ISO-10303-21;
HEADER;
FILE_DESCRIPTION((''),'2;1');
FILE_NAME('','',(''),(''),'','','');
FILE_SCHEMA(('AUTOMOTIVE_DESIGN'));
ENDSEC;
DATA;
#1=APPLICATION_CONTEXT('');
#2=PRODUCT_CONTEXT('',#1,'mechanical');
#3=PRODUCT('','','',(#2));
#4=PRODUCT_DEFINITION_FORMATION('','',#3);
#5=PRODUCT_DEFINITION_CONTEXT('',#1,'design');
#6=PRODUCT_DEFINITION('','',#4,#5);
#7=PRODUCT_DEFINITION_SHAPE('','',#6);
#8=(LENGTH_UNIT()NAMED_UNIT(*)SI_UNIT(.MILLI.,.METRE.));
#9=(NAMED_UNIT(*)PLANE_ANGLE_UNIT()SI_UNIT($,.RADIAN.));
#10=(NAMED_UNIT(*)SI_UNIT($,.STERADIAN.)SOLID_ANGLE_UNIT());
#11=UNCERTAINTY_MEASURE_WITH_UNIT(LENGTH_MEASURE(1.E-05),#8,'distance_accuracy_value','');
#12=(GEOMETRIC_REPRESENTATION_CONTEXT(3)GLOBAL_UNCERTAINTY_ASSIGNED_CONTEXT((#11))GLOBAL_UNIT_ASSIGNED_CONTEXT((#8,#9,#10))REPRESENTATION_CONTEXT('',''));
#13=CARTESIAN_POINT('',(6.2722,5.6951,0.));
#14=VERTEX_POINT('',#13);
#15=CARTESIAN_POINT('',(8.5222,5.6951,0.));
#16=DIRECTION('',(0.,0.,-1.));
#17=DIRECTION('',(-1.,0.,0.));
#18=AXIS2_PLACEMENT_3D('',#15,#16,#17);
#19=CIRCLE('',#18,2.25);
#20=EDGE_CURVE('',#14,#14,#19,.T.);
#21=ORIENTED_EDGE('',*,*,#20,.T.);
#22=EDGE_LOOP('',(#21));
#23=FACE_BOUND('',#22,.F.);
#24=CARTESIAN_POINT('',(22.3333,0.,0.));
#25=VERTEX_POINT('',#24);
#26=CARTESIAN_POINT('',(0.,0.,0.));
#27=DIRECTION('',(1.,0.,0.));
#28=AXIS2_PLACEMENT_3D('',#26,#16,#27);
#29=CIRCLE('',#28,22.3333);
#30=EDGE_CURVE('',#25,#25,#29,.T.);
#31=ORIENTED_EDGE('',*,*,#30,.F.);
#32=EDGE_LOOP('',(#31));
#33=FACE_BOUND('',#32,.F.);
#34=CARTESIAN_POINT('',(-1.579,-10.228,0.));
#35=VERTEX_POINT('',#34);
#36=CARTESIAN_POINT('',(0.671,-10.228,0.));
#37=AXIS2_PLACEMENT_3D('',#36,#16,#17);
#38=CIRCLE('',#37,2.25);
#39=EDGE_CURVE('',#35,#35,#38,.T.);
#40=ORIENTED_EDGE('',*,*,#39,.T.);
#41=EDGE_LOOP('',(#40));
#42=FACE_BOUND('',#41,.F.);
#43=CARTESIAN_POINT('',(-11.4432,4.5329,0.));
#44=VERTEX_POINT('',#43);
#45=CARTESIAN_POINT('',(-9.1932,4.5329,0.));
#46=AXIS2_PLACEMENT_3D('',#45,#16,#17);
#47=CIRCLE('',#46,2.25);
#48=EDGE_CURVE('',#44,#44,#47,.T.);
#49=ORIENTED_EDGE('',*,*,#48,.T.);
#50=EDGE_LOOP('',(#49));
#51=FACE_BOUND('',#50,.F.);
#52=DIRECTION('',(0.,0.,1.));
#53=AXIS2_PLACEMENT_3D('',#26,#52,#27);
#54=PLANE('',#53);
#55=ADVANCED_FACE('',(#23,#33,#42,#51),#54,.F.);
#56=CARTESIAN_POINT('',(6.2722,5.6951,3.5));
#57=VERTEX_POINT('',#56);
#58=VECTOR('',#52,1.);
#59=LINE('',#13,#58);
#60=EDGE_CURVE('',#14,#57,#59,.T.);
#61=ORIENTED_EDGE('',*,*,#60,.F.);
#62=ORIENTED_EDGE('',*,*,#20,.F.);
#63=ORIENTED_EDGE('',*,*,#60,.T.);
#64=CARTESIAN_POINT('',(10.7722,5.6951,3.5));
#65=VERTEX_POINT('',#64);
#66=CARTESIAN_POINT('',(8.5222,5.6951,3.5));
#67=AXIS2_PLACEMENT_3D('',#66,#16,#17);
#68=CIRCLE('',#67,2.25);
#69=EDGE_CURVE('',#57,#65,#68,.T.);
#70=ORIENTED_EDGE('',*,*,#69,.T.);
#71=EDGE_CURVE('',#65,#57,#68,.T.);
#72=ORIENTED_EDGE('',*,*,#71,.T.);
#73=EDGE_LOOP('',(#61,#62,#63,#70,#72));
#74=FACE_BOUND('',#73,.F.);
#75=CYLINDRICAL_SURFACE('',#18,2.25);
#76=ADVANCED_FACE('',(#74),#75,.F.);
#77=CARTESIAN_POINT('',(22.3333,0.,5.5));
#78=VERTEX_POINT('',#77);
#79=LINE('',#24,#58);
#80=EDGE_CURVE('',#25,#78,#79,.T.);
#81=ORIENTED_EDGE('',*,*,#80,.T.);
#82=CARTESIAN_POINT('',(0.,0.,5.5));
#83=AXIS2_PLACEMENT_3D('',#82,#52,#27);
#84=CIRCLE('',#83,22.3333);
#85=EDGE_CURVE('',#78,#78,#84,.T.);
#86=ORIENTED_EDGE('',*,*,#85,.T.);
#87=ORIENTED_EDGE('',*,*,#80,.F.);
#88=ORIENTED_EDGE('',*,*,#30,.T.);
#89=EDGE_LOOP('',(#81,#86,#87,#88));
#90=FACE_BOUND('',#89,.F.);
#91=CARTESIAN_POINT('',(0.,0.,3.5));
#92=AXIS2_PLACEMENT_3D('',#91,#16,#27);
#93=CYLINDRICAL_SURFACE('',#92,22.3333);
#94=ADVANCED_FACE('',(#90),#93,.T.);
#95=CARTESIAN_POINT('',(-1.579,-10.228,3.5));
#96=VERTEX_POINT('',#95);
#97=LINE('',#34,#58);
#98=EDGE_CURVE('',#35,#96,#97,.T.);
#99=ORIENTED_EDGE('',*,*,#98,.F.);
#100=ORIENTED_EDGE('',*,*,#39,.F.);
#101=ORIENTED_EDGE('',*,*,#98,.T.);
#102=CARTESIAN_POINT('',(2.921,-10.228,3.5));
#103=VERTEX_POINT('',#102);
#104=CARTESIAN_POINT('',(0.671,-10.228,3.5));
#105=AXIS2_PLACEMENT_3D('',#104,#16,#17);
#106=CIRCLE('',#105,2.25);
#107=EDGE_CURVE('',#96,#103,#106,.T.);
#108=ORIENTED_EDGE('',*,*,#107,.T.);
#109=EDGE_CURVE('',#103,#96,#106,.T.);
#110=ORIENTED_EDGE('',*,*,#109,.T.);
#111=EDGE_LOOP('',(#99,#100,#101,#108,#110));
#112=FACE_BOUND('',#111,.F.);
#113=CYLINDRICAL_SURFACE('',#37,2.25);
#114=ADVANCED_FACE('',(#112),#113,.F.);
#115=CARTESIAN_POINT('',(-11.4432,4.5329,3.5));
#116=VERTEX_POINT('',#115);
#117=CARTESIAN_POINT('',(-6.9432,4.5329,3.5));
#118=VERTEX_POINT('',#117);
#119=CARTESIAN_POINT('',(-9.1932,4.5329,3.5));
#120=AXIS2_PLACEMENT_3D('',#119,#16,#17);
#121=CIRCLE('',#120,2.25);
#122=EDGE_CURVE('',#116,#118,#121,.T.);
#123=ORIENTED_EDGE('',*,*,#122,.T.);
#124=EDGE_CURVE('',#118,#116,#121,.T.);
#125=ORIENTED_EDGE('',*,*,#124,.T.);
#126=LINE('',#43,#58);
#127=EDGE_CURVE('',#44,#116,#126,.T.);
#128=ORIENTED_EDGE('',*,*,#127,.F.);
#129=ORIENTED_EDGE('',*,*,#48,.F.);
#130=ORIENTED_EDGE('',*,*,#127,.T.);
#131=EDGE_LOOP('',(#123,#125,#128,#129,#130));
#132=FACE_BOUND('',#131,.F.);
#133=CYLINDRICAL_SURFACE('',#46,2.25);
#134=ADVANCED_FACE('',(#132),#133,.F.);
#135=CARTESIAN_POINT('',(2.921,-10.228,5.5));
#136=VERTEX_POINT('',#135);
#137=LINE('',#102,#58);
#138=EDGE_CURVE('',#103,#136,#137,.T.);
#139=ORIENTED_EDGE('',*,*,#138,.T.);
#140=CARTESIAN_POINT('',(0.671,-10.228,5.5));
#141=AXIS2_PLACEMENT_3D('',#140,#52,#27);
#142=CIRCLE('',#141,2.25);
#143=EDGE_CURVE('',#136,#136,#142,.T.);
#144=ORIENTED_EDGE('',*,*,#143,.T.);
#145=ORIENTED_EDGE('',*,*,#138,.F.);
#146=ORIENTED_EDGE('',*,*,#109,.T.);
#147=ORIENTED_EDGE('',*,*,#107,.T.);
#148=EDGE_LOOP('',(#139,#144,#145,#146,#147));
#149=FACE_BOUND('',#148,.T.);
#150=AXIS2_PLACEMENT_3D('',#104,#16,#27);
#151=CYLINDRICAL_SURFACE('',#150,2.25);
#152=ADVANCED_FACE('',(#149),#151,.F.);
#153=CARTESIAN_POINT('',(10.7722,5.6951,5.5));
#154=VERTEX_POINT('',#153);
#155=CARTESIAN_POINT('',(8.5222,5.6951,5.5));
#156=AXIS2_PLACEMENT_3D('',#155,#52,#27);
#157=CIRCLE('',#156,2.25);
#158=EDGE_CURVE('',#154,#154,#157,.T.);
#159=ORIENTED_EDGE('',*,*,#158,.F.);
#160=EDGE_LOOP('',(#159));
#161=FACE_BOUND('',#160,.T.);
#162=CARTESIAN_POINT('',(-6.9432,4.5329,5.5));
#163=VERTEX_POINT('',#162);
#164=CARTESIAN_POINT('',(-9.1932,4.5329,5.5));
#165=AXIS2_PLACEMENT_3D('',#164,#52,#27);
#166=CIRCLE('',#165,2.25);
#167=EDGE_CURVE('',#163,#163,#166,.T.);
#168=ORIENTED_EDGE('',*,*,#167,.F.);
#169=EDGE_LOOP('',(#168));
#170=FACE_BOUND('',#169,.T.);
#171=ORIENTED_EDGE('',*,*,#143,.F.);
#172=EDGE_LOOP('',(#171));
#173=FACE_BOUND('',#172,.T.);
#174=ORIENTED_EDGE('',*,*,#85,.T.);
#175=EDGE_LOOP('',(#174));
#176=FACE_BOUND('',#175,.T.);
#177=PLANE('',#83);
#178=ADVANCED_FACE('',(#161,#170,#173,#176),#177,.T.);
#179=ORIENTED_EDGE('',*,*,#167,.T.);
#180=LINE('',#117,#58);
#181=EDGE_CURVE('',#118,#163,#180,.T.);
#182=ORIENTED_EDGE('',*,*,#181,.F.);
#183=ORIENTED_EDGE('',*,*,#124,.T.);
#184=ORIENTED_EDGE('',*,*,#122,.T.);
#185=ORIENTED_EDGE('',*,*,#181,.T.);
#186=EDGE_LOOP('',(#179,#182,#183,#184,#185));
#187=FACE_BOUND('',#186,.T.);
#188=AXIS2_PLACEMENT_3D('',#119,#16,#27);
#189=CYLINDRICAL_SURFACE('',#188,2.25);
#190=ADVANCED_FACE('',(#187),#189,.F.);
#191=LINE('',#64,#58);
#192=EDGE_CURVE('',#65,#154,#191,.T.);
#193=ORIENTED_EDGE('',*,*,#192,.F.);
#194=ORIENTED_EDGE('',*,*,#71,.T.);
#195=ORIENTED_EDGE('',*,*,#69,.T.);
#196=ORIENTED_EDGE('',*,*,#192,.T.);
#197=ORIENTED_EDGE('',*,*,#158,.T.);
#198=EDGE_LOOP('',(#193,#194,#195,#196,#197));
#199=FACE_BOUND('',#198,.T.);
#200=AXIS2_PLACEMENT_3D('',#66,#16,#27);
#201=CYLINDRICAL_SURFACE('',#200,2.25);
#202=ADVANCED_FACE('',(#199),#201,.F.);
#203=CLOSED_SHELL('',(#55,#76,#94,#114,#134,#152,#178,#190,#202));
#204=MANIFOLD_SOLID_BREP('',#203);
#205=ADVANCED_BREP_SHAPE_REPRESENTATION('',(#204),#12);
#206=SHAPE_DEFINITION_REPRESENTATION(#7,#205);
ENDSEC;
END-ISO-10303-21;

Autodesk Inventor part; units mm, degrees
ref_plane "YZ Plane" through (0, 0, 0) normal (1, 0, 0) x (0, 1, 0)
ref_plane "XZ Plane" through (0, 0, 0) normal (0, 1, 0) x (-1, 0, 0)
ref_plane "XY Plane" through (0, 0, 0) normal (0, 0, 1) x (1, 0, 0)
sketch "Sketch1" plane through (0, 0, 0) normal (0, 0, 1) x (1, 0, 0)
  circle A0 centre (-0.671, 10.228) radius 3.5 projected
  circle A1 centre (-8.5222, -5.6951) radius 3.5 projected
  circle A2 centre (9.1932, -4.5329) radius 3.5 projected
  circle A3 centre (0, 0) radius 15 projected
  circle A4 centre (8.5222, 5.6951) radius 2 projected
  circle A5 centre (0.671, -10.228) radius 2 projected
  circle A6 centre (-9.1932, 4.5329) radius 2 projected
  circle A7 centre (20.0905, -24.1532) radius 3.75 projected
  circle A8 centre (-30.4505, 7.7314) radius 3.75 projected
  circle A9 centre (-2.0567, 31.3493) radius 3.75 projected
  circle A10 centre (-16.7628, -26.571) radius 3.75 projected
  circle A11 centre (29.1794, 11.6435) radius 3.75 projected
  circle A12 centre (0, 0) radius 23.3333 projected
  arc A13 (-39.4862, -1.0454) -> (-35.737, -7.6127) centre (-31.489, -0.8337) ccw projected
  arc A14 (-34.2512, -12.7254) -> (-35.737, -7.6127) centre (-37.861, -11.0021) ccw projected
  arc A15 (-34.2512, -12.7254) -> (-33.8969, -20.2792) centre (-27.0317, -16.172) ccw projected
  arc A16 (-33.8969, -20.2792) -> (36.2558, -15.6768) centre (0, 0) ccw projected
  arc A17 (36.2558, -15.6768) -> (35.6202, -8.1415) centre (28.9129, -12.5018) ccw projected
  arc A18 (36.4252, -2.8784) -> (35.6202, -8.1415) centre (38.9739, -5.9614) ccw projected
  arc A19 (36.4252, -2.8784) -> (39.2843, 4.1223) centre (31.328, 3.2874) ccw projected
  arc A20 (39.2843, 4.1223) -> (-39.4862, -1.0454) centre (0, 0) ccw projected
  line L0 (0, 23.3333) -> (0, 22.3333)
  circle A21 centre (0, 0) radius 22.3333
  point P0 (0, 0)
  dimension "d0" = 1
extrude "Extrusion1" add sketch "Sketch1" along normal blind 3.5 contours A0 | A1 | A2 | A3 | A21
sketch "Sketch2" plane through (0, 0, 0) normal (0, 0, -1) x (-1, 0, 0)
  circle A0 centre (0, 0) radius 22.3333 projected
  circle A1 centre (-8.5222, 5.6951) radius 2 projected
  circle A2 centre (-0.671, -10.228) radius 2 projected
  circle A3 centre (9.1932, 4.5329) radius 2 projected
  circle A4 centre (-8.5222, 5.6951) radius 2.25
  circle A5 centre (9.1932, 4.5329) radius 2.25
  circle A6 centre (-0.671, -10.228) radius 2 projected
  circle A7 centre (-0.671, -10.228) radius 2.25
  point P0 (0, 0)
  dimension "d3" = 4.5
  dimension "d4" = 4.5
  dimension "d5" = 4.5
extrude "Extrusion2" cut sketch "Sketch2" against normal through all contours A1 | A2 | A3 | A4 | A5 | A7
sketch "Szkic3" plane through (0, 0, 3.5) normal (0, 0, 1) x (1, 0, 0)
  circle A0 centre (0.671, -10.228) radius 2.25 projected
  circle A1 centre (-9.1932, 4.5329) radius 2.25 projected
  circle A2 centre (8.5222, 5.6951) radius 2.25 projected
  circle A3 centre (0, 0) radius 22.3333 projected
  point P0 (0, 0)
extrude "Wyciągnięcie proste3" add sketch "Szkic3" along normal blind 2
properties part number "kółko"
